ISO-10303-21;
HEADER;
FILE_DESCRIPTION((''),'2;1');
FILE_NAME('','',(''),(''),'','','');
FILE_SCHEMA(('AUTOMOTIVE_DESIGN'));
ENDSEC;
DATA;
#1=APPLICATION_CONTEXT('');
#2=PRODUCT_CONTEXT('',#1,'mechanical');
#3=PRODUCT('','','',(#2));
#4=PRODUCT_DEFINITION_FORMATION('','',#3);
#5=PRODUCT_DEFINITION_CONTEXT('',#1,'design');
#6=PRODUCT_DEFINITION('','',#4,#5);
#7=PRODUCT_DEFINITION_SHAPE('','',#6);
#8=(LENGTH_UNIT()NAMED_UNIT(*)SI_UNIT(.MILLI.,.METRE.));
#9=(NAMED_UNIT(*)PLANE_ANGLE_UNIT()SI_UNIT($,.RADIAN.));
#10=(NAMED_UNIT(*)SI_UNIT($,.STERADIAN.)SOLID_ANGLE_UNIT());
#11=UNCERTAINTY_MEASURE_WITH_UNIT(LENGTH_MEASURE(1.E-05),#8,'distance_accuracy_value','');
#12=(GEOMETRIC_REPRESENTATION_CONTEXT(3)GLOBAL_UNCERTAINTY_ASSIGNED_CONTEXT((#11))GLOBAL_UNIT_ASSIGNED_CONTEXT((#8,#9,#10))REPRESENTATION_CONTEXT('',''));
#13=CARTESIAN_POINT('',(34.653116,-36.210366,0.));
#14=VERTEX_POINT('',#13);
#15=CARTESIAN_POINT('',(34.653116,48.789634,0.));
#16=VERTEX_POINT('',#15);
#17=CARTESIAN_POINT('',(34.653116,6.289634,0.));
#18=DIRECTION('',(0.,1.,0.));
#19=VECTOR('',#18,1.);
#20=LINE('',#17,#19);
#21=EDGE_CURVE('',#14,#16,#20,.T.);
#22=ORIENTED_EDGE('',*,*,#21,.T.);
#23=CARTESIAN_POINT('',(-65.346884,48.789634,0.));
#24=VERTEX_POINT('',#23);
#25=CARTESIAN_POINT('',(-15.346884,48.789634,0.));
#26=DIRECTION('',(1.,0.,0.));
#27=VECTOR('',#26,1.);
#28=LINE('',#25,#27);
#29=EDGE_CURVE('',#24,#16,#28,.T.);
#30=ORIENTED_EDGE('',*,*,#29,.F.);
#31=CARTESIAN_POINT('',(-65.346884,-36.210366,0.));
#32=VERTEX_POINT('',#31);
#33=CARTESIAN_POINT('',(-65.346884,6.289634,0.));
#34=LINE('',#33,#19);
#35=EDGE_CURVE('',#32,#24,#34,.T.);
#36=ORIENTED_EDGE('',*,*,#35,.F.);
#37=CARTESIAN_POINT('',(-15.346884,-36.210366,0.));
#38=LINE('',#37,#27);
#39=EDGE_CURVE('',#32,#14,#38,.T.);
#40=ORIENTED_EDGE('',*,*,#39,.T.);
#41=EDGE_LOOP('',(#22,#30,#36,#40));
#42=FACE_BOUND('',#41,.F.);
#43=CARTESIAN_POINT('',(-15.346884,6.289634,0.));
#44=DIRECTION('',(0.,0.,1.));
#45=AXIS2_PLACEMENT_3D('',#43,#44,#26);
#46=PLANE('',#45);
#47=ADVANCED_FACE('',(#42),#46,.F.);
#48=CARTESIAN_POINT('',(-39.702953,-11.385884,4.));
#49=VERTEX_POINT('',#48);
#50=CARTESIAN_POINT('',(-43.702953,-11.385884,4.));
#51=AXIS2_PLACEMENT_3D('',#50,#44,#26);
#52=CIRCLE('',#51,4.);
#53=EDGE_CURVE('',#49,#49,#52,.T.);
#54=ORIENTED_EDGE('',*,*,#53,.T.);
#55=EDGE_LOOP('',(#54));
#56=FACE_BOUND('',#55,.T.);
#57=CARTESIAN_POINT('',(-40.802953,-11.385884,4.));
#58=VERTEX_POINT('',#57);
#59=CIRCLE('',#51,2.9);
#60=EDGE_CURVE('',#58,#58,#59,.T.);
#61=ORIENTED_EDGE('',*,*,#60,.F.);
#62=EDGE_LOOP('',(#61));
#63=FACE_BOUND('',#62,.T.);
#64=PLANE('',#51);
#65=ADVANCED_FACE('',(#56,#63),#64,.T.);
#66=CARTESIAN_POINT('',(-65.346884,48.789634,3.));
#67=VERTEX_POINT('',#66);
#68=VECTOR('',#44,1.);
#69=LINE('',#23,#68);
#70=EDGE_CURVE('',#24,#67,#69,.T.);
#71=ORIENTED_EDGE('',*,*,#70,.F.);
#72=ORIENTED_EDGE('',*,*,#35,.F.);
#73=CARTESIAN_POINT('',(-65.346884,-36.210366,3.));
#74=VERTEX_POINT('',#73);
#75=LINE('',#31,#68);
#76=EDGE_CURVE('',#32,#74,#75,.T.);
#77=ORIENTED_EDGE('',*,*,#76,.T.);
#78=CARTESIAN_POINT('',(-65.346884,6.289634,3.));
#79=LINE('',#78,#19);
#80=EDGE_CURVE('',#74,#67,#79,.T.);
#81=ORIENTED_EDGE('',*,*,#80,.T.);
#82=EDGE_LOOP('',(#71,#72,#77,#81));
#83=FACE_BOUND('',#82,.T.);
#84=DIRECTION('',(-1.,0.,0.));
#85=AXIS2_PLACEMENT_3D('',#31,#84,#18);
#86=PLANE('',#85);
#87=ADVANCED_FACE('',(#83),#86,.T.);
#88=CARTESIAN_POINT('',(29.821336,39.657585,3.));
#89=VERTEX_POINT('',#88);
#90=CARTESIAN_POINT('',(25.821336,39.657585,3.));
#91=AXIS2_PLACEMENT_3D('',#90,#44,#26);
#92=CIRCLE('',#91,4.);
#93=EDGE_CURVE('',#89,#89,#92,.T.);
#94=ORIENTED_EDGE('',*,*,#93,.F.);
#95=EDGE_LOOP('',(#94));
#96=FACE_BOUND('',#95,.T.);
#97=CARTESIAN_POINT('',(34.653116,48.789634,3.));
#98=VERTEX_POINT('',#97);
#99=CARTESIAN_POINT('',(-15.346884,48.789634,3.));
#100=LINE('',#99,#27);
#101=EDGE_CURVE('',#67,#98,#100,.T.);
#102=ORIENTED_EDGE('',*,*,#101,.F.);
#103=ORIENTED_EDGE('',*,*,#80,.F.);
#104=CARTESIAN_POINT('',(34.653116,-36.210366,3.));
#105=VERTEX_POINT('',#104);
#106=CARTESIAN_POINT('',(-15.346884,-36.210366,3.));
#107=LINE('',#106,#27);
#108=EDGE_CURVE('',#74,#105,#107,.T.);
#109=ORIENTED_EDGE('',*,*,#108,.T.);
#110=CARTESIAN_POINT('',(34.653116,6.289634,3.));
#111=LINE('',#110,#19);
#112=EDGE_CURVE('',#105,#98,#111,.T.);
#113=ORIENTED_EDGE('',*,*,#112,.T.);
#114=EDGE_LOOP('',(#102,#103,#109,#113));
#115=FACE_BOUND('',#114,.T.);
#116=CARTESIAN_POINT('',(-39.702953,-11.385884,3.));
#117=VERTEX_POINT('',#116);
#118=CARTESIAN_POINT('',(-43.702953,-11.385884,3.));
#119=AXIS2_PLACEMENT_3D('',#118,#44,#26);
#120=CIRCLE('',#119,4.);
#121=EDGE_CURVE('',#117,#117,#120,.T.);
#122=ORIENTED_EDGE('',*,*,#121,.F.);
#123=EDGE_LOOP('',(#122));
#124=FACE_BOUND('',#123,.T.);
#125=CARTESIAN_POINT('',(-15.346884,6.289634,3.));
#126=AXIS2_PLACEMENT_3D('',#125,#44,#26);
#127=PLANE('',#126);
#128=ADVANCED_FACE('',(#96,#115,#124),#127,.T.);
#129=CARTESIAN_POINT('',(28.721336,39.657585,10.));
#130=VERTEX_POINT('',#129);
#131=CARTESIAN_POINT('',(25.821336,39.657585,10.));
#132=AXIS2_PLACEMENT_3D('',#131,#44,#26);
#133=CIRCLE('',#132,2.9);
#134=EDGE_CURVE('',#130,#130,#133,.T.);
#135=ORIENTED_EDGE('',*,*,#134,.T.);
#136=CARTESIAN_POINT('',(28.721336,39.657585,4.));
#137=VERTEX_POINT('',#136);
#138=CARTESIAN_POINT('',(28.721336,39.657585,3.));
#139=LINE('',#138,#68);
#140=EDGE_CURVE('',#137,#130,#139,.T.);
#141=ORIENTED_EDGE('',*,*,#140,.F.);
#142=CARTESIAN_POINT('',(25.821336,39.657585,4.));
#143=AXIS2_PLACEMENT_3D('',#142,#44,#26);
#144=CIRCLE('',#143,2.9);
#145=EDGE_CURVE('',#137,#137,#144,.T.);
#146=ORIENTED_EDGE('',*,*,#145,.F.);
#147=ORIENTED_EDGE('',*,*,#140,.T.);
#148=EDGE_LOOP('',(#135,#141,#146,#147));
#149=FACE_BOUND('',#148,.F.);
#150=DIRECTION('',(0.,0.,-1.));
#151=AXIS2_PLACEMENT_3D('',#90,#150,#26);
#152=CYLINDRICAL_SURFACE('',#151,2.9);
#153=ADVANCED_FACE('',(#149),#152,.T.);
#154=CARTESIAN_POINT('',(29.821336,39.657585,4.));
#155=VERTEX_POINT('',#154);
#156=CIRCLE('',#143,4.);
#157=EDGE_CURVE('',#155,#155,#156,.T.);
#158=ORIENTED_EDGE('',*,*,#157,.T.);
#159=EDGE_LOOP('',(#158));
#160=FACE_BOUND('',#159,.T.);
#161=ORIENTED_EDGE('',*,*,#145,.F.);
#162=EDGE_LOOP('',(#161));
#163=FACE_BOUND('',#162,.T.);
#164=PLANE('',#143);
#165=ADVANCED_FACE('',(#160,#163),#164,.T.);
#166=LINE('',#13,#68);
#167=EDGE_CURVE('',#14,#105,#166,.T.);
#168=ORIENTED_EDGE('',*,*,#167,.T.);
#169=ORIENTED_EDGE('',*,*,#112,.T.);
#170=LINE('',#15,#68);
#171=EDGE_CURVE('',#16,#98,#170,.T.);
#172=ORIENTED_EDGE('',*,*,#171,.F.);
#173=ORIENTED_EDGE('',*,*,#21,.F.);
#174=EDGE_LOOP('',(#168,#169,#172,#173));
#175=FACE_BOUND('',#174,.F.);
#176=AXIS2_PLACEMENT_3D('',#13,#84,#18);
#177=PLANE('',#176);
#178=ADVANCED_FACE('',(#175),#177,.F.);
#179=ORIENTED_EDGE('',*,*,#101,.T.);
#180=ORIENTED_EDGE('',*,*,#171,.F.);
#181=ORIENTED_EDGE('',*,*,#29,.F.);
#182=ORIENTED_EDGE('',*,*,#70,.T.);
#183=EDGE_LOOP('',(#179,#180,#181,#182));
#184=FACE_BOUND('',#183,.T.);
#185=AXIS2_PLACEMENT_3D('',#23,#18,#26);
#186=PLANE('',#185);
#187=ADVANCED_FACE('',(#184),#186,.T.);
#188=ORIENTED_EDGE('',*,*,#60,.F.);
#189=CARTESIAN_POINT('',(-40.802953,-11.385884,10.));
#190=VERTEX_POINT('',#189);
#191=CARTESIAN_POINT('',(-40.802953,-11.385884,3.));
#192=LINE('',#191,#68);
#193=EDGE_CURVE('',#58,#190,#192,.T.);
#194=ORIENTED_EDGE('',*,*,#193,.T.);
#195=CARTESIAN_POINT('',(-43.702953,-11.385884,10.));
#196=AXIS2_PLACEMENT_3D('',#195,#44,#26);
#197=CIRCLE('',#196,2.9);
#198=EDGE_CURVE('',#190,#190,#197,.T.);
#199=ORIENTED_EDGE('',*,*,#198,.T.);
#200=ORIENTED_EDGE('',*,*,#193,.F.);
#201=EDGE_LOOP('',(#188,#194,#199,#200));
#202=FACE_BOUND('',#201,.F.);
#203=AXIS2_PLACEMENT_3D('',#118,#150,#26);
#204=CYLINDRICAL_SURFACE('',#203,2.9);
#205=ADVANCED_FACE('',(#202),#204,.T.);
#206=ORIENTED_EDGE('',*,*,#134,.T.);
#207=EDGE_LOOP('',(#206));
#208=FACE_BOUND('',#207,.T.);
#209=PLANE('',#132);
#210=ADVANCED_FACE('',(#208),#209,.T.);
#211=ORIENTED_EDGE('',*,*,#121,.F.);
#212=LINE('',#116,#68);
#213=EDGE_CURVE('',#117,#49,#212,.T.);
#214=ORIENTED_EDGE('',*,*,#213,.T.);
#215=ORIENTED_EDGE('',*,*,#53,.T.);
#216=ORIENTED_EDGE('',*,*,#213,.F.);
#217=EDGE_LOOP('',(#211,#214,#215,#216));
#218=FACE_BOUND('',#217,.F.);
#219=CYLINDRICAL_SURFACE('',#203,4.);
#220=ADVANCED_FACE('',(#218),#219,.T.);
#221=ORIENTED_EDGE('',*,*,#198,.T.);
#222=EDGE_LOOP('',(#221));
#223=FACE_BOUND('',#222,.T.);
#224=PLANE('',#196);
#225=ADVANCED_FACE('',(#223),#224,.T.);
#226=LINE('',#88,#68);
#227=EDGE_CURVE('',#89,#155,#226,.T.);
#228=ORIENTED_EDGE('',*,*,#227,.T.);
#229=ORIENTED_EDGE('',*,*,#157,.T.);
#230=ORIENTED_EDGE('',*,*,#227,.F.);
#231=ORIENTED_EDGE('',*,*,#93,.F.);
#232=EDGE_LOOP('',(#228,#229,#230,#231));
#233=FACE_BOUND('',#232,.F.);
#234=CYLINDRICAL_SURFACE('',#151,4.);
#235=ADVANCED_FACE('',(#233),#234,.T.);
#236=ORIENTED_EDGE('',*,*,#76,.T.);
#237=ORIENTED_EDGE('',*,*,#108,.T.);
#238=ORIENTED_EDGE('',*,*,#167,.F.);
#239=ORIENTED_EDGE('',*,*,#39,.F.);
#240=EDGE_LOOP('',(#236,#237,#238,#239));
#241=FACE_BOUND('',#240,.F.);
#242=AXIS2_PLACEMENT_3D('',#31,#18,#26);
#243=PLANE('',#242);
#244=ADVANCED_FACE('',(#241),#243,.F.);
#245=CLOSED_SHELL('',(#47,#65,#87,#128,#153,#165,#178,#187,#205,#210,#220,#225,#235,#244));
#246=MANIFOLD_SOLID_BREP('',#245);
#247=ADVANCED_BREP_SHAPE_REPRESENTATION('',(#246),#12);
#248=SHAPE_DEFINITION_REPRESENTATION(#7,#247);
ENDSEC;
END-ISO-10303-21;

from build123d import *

# Parameters (mm, degrees)
F0_W     = 100
F0_H     = 85
F1_DEPTH = 3
F2_R     = 2.9
F3_DEPTH = 7
F2_R_2   = 4
F4_DEPTH = 1


with BuildPart() as f1:
    # F0 (on Top) → F1 (new body)
    with BuildSketch(Plane.XY):
        with Locations((-15.346884, 6.289634)):
            Rectangle(F0_W, F0_H)
    extrude(amount=F1_DEPTH)

    # F2 (on face) → F3 (join)
    with BuildSketch(Plane.XY.offset(3)):
        with Locations((-43.702953, -11.385884)):
            Circle(F2_R)
        with Locations((25.821336, 39.657585)):
            Circle(F2_R)
    extrude(amount=F3_DEPTH)

    # F2 (on face) → F4 (join)
    with BuildSketch(Plane.XY.offset(3)):
        with Locations((-43.702953, -11.385884)):
            Circle(F2_R_2)
        with Locations((-43.702953, -11.385884)):
            Circle(F2_R, mode=Mode.SUBTRACT)
        with Locations((25.821336, 39.657585)):
            Circle(F2_R_2)
        with Locations((25.821336, 39.657585)):
            Circle(F2_R, mode=Mode.SUBTRACT)
    extrude(amount=F4_DEPTH)


solid = f1.part
